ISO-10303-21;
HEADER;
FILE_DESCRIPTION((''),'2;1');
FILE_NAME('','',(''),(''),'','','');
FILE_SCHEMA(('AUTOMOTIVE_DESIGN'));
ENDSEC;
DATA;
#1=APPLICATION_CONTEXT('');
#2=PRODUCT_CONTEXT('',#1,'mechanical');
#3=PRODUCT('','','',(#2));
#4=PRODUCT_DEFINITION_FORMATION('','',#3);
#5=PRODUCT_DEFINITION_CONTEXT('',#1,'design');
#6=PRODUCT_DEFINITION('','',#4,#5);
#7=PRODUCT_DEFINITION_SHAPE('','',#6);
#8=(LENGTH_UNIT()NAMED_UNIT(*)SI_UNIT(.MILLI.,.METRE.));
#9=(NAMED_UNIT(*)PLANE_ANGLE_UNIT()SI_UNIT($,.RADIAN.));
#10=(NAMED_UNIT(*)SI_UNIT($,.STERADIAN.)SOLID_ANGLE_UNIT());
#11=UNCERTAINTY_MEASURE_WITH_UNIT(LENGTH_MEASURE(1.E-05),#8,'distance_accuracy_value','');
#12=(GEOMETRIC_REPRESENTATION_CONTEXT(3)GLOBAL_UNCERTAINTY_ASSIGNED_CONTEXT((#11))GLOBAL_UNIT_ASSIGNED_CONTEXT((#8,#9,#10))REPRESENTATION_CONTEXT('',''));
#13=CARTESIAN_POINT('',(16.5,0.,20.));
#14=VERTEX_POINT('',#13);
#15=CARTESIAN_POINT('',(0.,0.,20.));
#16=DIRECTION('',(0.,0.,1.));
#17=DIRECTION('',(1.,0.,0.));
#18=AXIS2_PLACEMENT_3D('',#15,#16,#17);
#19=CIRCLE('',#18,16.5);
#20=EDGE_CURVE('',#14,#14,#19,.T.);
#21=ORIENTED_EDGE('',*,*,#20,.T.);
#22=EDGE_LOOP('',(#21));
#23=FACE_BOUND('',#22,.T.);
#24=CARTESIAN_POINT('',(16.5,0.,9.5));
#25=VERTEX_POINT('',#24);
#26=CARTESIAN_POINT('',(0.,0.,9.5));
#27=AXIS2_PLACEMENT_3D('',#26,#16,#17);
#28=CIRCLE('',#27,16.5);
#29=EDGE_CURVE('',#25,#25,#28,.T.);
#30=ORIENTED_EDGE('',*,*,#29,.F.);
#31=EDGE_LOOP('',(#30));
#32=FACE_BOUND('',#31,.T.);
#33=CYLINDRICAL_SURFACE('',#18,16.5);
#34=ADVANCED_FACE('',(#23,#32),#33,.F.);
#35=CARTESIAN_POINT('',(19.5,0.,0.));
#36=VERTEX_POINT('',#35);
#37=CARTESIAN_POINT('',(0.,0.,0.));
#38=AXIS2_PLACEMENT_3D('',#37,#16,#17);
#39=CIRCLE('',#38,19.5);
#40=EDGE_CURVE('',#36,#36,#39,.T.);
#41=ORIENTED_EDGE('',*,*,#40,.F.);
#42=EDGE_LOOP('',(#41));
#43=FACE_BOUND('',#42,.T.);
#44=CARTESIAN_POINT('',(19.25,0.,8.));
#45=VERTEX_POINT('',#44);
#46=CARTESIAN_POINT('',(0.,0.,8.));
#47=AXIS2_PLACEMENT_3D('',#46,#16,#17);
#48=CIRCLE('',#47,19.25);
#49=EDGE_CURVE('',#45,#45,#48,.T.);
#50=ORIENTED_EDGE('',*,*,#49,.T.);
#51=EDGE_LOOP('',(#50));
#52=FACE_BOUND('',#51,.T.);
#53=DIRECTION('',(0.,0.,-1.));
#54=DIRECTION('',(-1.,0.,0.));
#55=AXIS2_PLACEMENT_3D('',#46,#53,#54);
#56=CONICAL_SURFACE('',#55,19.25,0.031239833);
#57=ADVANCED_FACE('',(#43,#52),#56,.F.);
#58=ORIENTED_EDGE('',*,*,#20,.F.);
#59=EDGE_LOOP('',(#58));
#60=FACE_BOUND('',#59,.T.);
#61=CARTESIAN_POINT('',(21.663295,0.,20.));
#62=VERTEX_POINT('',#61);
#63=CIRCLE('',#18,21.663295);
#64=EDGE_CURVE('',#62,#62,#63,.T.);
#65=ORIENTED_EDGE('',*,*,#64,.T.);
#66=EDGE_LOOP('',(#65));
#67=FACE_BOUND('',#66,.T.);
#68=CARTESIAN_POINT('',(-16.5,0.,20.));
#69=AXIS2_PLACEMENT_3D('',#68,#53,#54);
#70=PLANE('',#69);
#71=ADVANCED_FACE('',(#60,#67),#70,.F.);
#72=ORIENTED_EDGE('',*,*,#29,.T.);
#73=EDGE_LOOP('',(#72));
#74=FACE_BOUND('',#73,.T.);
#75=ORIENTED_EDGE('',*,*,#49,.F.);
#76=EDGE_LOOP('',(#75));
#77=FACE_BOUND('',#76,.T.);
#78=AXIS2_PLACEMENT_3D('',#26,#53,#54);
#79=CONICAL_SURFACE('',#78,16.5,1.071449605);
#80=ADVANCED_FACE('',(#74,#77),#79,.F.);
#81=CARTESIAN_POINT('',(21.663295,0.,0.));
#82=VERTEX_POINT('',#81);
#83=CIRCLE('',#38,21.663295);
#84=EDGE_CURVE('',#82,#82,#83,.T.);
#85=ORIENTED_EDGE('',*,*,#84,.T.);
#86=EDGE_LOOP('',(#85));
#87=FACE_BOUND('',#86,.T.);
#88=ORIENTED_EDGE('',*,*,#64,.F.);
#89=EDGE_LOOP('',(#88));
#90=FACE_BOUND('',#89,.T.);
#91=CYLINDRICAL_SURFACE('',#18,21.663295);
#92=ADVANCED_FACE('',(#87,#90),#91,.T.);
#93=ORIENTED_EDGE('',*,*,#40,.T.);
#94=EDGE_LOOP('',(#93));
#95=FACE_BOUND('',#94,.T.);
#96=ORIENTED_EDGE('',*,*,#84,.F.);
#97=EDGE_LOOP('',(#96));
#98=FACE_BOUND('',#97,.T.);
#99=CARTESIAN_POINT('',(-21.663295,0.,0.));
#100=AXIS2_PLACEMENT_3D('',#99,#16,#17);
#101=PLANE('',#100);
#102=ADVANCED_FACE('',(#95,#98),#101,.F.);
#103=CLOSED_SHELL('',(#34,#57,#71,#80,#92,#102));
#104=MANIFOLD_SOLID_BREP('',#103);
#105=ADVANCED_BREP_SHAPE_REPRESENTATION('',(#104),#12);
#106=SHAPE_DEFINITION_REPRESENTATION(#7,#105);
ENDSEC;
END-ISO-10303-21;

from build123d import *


with BuildPart() as part:
    # Sketch1 → Revolve1 (revolve)
    with BuildSketch(Plane(origin=(0, 0, 0), x_dir=(-1, 0, 0), z_dir=(0, 1, 0)), mode=Mode.PRIVATE) as revolve1_sk:
        Polygon((19.5, 0), (19.25, 8), (16.5, 9.5), (16.5, 20), (21.663295285, 20), (21.663295285, 0), align=None)
    revolve(revolve1_sk.sketch.rotate(Axis((0, 0, 20), (0, 0, -1)), 180), axis=Axis((0, 0, 20), (0, 0, -1)))


solid = part.part
